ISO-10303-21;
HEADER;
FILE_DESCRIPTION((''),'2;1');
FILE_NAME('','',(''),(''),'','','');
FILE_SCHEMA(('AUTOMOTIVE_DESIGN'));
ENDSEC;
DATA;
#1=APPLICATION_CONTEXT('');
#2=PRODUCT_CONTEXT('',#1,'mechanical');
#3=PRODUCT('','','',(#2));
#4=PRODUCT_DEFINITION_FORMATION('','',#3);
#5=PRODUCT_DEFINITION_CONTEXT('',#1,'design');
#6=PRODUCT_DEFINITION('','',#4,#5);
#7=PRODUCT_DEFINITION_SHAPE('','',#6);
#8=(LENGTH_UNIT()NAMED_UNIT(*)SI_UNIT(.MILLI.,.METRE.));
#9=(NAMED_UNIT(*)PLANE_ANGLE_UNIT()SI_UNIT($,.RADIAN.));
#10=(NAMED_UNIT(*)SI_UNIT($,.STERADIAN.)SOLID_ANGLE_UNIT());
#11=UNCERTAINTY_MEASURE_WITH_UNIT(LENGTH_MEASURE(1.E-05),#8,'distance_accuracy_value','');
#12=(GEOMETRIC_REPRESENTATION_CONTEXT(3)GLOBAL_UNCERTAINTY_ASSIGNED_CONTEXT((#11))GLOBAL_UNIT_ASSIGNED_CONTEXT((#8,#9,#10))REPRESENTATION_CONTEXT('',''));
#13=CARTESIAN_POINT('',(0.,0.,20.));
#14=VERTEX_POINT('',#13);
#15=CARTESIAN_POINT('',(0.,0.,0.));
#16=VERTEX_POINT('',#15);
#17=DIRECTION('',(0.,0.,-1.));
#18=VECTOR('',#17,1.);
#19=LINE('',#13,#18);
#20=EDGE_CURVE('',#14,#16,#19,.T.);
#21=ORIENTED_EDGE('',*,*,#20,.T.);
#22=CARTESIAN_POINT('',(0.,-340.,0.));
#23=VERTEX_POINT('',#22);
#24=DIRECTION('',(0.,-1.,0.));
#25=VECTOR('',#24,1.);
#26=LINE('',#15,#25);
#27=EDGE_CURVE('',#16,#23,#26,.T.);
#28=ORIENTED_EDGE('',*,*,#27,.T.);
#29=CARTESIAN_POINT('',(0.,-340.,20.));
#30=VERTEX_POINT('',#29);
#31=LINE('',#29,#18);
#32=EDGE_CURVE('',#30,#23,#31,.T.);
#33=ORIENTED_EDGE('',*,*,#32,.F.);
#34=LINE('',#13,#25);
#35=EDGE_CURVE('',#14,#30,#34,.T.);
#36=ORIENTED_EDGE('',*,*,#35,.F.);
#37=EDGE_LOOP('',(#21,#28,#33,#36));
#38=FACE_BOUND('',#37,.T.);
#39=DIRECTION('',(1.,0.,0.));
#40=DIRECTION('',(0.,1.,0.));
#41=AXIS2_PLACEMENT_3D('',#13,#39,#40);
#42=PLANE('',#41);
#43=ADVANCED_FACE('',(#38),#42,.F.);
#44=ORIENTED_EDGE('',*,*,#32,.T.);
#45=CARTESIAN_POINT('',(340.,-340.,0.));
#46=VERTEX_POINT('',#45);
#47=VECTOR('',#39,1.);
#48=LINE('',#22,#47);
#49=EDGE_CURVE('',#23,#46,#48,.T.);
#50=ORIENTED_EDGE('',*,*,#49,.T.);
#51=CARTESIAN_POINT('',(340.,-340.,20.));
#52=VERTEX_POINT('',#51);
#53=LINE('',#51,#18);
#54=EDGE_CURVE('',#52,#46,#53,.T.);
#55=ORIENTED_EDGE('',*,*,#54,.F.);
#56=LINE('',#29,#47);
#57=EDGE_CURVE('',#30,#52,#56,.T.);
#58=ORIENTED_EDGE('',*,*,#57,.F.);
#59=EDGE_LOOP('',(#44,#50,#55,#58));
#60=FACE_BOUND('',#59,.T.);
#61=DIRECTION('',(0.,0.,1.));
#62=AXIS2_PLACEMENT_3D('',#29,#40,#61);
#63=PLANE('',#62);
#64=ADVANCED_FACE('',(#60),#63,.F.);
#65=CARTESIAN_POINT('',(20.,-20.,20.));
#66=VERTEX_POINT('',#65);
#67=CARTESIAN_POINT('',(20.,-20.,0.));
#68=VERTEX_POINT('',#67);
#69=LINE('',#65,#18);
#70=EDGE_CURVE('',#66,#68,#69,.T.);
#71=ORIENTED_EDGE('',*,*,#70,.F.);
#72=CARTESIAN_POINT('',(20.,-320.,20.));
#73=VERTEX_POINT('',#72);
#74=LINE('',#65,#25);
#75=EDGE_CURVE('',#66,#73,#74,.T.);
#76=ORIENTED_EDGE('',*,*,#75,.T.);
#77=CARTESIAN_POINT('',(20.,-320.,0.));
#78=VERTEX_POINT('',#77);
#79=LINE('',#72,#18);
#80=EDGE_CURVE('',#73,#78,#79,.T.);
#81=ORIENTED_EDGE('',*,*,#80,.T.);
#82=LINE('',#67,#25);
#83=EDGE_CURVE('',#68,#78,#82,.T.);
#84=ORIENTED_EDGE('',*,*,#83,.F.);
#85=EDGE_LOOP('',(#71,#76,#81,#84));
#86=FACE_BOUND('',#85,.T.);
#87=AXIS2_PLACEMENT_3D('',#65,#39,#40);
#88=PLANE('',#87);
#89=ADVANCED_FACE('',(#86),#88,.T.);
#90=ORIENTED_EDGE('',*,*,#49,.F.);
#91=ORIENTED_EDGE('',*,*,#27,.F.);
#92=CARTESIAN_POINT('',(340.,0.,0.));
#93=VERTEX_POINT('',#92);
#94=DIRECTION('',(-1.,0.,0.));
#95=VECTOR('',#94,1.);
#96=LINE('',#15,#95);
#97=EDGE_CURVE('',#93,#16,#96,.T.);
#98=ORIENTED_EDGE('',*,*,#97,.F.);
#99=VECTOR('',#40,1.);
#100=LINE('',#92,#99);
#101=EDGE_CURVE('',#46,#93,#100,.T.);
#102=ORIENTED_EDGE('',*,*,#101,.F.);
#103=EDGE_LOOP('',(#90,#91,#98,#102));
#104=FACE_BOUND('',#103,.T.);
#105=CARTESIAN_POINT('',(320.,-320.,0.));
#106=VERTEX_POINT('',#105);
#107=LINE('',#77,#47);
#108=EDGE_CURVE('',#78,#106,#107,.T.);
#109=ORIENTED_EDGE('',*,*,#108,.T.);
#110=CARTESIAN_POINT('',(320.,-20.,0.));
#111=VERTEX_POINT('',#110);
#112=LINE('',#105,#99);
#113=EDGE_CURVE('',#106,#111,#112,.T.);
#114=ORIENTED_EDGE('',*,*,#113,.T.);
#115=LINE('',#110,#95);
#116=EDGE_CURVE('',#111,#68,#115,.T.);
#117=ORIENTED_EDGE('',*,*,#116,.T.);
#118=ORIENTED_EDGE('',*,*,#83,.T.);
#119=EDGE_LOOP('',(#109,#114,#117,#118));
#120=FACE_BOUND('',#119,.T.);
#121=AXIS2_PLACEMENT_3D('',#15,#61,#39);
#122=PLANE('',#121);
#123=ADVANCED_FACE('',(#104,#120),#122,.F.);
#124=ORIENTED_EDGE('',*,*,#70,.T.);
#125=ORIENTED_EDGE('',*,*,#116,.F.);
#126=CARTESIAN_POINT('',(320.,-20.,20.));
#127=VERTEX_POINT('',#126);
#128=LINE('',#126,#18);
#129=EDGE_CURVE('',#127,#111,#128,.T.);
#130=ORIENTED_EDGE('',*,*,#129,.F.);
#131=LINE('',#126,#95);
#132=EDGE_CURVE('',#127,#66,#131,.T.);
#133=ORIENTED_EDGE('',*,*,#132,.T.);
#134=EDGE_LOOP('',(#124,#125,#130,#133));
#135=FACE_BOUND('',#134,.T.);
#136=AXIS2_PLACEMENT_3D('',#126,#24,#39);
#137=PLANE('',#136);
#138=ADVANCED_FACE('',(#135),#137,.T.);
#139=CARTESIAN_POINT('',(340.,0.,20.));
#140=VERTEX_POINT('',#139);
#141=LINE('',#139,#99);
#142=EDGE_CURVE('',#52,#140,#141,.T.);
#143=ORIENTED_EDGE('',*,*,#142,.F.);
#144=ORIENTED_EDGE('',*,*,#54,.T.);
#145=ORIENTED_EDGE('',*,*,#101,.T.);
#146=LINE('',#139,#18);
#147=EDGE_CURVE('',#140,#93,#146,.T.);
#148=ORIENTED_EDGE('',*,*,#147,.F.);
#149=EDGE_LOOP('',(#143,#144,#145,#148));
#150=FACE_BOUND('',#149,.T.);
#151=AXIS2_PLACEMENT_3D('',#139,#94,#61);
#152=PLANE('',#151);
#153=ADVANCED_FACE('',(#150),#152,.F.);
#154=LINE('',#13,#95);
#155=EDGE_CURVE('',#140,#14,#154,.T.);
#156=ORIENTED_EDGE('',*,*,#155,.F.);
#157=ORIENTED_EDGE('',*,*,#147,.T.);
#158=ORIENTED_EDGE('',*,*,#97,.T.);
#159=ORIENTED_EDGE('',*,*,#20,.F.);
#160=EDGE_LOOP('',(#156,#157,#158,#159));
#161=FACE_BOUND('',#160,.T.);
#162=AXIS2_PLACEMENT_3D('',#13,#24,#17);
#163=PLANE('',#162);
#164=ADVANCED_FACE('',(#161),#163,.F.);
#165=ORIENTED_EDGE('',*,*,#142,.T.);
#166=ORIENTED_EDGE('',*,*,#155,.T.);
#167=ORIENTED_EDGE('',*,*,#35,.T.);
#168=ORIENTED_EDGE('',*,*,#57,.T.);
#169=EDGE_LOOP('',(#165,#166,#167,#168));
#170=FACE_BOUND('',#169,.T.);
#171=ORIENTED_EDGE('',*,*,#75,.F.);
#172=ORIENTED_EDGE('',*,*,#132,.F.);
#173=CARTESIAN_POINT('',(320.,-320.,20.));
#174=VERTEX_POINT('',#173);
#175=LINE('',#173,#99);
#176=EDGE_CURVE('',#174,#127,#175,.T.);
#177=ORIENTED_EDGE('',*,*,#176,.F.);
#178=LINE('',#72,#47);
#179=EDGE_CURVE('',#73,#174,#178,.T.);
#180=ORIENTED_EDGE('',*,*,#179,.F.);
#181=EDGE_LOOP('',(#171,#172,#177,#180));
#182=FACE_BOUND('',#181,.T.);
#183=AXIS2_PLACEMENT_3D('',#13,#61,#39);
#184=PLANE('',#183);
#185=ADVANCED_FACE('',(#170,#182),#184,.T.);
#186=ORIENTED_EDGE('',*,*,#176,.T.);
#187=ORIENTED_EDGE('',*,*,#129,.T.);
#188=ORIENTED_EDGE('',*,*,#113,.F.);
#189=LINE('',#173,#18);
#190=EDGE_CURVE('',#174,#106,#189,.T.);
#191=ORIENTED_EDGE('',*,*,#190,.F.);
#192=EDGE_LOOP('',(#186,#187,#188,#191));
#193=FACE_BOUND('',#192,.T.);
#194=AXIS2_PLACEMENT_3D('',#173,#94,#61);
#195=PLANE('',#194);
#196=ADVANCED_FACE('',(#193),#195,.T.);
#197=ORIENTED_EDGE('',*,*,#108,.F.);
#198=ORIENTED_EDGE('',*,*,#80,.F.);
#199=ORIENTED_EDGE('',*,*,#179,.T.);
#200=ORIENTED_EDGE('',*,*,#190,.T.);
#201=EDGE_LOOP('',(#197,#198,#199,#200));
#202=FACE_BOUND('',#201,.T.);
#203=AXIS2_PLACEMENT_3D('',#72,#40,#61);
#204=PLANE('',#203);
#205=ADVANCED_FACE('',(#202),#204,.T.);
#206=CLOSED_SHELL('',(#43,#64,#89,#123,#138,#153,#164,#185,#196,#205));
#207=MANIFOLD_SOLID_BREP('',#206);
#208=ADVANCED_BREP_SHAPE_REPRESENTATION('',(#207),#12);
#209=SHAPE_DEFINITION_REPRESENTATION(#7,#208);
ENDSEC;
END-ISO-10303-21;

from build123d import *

# Parameters (mm, degrees)
SKETCH1_W           = 340
SKETCH1_H           = 340
SKETCH1_W_2         = 300
SKETCH1_H_2         = 300
BOSS_EXTRUDE1_DEPTH = 20


with BuildPart() as part:
    # Sketch1 → Boss-Extrude1 (new body)
    with BuildSketch(Plane.XY):
        with Locations((170, -170)):
            Rectangle(SKETCH1_W, SKETCH1_H)
        with Locations((170, -170)):
            Rectangle(SKETCH1_W_2, SKETCH1_H_2, mode=Mode.SUBTRACT)
    extrude(amount=BOSS_EXTRUDE1_DEPTH)


solid = part.part
